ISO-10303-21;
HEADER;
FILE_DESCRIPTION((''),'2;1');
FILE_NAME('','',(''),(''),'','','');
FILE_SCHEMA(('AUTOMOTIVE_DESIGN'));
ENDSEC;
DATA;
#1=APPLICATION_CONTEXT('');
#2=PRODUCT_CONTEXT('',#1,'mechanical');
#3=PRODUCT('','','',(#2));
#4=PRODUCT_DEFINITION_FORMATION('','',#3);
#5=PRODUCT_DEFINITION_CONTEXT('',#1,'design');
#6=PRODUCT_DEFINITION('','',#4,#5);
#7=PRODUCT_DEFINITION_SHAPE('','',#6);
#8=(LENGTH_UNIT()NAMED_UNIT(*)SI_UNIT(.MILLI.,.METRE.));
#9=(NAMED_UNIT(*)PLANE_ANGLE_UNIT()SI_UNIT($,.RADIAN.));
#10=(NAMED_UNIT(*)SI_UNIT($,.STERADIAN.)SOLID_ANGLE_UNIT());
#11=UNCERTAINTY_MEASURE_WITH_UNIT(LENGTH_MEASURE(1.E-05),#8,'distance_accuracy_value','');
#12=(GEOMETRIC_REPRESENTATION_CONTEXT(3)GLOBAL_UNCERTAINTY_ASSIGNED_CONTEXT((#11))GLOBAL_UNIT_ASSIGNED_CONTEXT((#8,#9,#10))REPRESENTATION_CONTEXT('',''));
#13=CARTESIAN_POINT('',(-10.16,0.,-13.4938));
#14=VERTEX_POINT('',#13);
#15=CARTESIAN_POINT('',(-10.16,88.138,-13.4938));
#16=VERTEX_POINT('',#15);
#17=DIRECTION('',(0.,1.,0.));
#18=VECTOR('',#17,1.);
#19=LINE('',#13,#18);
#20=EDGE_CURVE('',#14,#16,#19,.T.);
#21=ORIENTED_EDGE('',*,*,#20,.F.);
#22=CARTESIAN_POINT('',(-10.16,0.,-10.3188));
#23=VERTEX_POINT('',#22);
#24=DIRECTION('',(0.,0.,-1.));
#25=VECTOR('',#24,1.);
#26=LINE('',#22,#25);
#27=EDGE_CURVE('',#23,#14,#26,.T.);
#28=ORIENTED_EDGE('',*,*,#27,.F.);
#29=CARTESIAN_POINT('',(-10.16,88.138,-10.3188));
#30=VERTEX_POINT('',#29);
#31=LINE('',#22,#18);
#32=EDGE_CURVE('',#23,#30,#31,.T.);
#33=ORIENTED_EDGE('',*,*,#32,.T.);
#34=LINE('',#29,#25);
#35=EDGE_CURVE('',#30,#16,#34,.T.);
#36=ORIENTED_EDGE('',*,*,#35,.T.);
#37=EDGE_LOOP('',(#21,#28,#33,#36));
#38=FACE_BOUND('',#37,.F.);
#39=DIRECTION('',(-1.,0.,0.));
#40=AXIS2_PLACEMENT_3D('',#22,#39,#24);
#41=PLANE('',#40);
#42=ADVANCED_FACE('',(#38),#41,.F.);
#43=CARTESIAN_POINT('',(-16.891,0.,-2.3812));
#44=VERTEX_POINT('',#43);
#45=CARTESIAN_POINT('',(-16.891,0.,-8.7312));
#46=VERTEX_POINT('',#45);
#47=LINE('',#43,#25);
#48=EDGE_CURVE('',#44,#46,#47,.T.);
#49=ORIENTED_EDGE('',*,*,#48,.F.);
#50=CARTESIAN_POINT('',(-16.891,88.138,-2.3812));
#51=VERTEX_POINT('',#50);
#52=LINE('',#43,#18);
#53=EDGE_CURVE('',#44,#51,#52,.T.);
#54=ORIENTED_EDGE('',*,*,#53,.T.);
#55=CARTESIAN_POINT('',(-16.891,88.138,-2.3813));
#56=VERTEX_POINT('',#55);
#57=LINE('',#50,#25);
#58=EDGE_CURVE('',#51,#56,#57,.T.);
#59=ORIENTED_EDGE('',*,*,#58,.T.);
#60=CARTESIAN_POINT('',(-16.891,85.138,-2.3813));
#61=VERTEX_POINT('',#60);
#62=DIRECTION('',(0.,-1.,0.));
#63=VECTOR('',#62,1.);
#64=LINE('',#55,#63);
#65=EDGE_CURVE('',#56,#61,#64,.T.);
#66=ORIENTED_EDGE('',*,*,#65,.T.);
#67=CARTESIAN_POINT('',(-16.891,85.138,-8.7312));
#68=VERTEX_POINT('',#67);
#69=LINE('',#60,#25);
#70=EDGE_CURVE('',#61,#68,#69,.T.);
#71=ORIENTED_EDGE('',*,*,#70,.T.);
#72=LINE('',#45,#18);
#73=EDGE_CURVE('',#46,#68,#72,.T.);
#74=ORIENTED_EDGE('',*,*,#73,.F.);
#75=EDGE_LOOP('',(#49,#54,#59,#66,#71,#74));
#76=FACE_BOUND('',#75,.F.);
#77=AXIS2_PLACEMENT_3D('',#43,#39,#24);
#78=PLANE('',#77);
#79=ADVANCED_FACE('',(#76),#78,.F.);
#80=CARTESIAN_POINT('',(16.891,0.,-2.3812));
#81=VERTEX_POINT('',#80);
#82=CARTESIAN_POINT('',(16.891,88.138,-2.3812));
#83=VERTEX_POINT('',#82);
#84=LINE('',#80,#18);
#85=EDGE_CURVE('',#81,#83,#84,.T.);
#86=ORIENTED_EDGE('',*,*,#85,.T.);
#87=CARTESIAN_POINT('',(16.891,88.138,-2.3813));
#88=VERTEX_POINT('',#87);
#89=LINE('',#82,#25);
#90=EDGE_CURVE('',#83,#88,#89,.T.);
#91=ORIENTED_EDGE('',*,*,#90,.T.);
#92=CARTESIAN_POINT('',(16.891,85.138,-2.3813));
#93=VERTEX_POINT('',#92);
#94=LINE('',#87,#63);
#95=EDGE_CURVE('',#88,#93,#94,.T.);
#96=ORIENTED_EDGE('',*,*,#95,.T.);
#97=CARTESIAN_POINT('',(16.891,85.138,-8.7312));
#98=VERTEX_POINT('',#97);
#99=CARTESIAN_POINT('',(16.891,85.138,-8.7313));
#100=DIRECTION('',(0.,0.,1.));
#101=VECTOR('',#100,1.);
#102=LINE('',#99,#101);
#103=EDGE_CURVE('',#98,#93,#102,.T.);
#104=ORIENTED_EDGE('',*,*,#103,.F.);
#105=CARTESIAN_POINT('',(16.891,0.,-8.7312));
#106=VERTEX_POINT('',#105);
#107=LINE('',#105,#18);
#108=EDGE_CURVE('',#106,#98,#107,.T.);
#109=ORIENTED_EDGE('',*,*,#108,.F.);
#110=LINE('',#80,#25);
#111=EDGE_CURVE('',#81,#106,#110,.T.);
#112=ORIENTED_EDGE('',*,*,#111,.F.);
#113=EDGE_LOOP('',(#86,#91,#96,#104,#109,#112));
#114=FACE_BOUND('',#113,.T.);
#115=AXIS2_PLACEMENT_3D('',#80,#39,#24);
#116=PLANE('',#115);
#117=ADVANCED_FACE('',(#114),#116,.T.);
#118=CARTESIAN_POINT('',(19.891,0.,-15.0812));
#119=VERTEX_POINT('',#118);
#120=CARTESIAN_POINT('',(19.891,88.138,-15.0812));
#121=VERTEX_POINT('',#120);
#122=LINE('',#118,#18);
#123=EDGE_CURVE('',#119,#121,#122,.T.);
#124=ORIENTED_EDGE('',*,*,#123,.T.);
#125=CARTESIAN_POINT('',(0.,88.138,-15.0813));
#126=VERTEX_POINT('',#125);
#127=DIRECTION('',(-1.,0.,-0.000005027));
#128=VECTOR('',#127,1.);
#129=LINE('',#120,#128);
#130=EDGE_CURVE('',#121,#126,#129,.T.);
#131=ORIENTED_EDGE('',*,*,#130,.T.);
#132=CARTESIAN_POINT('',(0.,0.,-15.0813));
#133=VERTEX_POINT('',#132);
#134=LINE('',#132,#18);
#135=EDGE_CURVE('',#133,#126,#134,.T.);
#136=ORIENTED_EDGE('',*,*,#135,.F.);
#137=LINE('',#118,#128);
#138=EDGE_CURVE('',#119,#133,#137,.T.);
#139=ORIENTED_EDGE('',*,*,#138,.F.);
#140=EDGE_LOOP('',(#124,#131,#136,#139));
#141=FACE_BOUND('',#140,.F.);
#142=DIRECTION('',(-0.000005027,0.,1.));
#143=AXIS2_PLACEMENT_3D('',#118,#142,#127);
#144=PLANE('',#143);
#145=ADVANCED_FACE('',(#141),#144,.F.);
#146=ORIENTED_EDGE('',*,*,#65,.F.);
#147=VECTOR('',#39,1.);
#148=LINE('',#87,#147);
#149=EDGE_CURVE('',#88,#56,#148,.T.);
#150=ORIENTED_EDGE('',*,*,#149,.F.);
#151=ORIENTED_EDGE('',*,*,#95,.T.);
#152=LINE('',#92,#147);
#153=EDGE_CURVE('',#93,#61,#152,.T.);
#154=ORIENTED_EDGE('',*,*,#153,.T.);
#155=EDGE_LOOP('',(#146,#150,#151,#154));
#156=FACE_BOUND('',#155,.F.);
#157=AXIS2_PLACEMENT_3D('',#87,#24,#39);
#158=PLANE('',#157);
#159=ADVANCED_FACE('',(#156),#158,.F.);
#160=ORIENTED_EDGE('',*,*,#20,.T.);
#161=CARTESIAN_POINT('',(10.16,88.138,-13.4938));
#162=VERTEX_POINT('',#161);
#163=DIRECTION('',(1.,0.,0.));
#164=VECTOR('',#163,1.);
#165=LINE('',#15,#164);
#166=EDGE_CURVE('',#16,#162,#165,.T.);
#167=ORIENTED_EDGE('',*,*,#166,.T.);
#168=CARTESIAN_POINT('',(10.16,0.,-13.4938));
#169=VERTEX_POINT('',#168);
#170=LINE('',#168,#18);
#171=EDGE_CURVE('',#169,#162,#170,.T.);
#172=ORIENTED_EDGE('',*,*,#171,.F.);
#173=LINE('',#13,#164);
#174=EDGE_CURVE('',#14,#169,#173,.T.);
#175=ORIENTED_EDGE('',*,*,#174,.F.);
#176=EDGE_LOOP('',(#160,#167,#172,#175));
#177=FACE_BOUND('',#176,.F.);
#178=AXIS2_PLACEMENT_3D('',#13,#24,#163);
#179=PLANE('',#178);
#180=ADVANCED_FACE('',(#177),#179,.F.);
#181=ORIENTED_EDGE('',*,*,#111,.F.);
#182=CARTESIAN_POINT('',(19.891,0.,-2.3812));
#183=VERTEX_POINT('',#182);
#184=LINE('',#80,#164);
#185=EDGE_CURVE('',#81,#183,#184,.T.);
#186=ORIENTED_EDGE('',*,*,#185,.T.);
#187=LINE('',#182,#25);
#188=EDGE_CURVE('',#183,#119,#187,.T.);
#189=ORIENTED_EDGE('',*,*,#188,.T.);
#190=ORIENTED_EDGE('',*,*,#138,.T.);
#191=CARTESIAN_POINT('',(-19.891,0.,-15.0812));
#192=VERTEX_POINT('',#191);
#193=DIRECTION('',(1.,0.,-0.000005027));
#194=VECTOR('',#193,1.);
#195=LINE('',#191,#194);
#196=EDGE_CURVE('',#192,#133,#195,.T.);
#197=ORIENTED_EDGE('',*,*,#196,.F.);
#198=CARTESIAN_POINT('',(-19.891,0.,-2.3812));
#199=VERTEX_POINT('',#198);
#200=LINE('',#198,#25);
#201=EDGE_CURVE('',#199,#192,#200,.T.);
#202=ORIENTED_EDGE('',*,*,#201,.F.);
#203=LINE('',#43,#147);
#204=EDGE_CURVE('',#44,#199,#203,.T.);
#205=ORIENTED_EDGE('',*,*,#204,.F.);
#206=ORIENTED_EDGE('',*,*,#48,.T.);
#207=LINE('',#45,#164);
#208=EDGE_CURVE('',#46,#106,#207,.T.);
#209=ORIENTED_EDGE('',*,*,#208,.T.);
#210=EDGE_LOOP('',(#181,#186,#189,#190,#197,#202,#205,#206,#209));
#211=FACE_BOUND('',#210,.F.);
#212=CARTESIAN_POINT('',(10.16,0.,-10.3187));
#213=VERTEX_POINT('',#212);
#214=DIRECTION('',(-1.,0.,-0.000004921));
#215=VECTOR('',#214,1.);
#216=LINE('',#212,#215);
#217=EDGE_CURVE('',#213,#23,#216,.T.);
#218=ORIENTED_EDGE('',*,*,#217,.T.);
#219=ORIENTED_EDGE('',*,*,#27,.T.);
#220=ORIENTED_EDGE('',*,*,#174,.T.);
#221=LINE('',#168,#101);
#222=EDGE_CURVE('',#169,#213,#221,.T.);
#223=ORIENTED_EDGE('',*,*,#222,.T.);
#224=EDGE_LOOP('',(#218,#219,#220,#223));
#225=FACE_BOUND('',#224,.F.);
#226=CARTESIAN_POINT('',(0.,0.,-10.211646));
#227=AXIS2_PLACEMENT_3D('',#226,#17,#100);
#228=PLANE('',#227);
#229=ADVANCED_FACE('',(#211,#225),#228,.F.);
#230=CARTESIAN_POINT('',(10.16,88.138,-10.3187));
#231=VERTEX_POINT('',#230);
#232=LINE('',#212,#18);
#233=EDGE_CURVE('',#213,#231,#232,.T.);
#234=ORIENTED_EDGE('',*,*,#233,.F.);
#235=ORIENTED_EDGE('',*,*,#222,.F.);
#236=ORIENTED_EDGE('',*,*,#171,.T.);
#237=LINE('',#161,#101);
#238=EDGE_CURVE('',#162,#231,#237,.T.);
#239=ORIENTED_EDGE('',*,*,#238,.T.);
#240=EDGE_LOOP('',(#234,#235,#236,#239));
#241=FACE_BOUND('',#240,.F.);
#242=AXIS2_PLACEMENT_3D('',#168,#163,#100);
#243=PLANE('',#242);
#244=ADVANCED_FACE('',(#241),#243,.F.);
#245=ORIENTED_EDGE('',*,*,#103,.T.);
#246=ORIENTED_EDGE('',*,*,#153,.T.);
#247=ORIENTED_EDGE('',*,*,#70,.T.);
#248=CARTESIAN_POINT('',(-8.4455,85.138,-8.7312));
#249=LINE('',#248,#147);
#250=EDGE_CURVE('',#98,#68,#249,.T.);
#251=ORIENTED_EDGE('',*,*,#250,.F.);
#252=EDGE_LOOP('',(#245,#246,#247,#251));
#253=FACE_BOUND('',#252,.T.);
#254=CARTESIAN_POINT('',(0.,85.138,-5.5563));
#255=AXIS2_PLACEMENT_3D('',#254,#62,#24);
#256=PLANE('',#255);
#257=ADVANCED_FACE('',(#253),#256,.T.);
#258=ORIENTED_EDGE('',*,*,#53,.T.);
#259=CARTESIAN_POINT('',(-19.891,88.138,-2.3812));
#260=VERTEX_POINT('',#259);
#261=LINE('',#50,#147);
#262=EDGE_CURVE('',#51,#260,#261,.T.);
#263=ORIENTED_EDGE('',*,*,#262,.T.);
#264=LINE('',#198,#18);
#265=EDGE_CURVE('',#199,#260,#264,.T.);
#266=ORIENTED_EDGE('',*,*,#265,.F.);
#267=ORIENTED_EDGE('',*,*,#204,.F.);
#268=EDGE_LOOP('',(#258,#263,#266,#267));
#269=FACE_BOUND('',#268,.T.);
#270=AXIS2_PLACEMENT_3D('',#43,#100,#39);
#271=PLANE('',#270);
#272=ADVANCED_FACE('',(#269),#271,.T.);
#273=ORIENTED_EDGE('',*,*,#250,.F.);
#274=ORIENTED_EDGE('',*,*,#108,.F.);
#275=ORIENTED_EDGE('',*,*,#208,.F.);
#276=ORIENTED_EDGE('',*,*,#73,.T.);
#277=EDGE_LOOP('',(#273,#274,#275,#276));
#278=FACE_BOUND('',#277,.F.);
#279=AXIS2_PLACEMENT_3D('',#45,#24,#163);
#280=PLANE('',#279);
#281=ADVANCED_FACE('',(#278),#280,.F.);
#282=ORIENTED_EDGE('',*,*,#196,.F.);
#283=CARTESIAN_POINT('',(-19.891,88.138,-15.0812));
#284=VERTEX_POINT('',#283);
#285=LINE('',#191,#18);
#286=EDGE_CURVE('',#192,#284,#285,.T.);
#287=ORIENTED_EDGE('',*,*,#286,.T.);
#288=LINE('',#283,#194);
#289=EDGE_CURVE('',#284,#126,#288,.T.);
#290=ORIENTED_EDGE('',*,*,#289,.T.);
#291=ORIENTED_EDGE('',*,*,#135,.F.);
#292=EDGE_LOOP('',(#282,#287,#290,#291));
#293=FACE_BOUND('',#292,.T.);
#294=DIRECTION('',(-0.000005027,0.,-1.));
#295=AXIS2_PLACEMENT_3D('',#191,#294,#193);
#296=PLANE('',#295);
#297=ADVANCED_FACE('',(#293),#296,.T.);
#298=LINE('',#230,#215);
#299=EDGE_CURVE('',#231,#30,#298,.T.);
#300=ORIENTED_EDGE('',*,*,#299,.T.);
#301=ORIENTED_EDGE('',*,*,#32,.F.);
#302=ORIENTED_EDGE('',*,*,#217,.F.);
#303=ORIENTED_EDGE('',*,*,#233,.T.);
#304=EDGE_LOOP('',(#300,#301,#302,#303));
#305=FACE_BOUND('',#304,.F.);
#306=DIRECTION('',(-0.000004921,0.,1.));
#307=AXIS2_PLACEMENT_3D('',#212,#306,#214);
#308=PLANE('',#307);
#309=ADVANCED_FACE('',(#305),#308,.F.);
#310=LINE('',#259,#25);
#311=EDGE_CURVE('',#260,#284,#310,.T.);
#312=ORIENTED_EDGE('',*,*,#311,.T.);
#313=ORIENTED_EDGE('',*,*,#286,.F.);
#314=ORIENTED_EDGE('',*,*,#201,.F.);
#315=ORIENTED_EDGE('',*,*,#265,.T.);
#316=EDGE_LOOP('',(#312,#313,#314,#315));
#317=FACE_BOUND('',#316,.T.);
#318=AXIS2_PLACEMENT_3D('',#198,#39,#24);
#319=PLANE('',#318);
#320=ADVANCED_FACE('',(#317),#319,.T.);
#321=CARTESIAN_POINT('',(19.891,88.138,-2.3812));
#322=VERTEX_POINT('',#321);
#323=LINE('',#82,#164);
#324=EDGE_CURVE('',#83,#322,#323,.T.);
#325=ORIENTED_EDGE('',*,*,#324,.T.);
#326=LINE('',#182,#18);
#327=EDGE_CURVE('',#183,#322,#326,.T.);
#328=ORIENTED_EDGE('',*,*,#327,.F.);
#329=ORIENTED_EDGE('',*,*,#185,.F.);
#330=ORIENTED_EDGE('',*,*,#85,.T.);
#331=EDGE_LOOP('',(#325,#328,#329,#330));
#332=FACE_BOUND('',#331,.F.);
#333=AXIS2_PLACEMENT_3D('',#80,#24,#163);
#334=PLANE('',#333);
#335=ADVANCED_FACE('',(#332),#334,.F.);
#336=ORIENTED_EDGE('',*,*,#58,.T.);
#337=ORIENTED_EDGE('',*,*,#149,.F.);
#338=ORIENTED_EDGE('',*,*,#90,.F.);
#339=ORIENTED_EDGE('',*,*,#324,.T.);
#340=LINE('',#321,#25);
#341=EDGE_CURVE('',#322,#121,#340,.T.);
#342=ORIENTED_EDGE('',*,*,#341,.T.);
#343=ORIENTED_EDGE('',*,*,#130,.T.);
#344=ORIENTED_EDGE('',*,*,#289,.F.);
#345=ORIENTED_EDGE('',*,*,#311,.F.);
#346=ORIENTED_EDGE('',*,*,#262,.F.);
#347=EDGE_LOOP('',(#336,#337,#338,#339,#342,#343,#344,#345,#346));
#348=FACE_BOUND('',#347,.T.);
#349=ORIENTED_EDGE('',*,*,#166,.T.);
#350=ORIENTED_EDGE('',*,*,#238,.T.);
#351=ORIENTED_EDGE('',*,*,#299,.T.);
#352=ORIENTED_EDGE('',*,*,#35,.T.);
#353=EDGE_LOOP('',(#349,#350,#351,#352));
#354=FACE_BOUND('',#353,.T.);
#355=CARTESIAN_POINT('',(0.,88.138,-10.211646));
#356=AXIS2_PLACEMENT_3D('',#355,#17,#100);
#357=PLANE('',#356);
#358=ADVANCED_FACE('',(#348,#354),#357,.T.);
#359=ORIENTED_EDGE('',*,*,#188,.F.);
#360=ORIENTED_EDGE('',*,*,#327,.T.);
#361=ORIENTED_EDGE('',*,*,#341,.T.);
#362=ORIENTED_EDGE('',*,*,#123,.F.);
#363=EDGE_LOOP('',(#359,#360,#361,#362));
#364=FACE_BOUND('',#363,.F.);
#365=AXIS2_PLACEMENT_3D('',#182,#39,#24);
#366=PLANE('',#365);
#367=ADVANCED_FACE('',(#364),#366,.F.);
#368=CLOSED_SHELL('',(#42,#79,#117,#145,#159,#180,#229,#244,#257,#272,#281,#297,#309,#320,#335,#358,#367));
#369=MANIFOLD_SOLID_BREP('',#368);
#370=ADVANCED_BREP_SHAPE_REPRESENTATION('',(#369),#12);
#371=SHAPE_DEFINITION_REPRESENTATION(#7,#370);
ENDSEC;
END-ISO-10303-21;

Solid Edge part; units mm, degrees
sketch "Sketch1" plane through (0, 0, 0) normal (0, -1, 0) x (1, 0, 0)
  line L0 (-16.891, -2.3812) -> (-16.891, -8.7312)
  line L1 (-16.891, -8.7312) -> (16.891, -8.7312)
  line L2 (16.891, -2.3812) -> (16.891, -8.7312)
  line L3 (16.891, -2.3812) -> (19.891, -2.3812)
  line L4 (19.891, -2.3812) -> (19.891, -15.0812)
  line L5 (19.891, -15.0812) -> (0, -15.0813)
  line L6 (-19.891, -15.0812) -> (0, -15.0813)
  line L7 (-19.891, -2.3812) -> (-19.891, -15.0812)
  line L8 (-16.891, -2.3812) -> (-19.891, -2.3812)
  line L9 (-10.16, -13.4938) -> (10.16, -13.4938)
  line L10 (10.16, -13.4938) -> (10.16, -10.3187)
  line L11 (10.16, -10.3187) -> (-10.16, -10.3188)
  line L12 (-10.16, -10.3187) -> (-10.16, -13.4938)
  dimension "D1" = 17.4625
  dimension "D2" = 33.782
  dimension "D3" = 3
  dimension "D4" = 20.32
  dimension "D5" = 3.175
  dimension "D6" = 6.35
  dimension "D7" = 1.5875
  dimension "D8" = 6.35
extrude "Protrusion1" add sketch "Sketch1" against normal blind 88.138
sketch "Sketch2" plane through (0, 88.138, -8.7313) normal (0, 1, 0) x (0, 0, -1)
  line L0 (-6.35, -16.891) -> (-6.35, 16.891)
  line L1 (-6.35, 16.891) -> (0, 16.891)
  line L2 (0, 16.891) -> (0, -16.891)
  line L3 (0, -16.891) -> (-6.35, -16.891)
extrude "ExtrudedProtrusion_2" add sketch "Sketch2" against normal blind 3
